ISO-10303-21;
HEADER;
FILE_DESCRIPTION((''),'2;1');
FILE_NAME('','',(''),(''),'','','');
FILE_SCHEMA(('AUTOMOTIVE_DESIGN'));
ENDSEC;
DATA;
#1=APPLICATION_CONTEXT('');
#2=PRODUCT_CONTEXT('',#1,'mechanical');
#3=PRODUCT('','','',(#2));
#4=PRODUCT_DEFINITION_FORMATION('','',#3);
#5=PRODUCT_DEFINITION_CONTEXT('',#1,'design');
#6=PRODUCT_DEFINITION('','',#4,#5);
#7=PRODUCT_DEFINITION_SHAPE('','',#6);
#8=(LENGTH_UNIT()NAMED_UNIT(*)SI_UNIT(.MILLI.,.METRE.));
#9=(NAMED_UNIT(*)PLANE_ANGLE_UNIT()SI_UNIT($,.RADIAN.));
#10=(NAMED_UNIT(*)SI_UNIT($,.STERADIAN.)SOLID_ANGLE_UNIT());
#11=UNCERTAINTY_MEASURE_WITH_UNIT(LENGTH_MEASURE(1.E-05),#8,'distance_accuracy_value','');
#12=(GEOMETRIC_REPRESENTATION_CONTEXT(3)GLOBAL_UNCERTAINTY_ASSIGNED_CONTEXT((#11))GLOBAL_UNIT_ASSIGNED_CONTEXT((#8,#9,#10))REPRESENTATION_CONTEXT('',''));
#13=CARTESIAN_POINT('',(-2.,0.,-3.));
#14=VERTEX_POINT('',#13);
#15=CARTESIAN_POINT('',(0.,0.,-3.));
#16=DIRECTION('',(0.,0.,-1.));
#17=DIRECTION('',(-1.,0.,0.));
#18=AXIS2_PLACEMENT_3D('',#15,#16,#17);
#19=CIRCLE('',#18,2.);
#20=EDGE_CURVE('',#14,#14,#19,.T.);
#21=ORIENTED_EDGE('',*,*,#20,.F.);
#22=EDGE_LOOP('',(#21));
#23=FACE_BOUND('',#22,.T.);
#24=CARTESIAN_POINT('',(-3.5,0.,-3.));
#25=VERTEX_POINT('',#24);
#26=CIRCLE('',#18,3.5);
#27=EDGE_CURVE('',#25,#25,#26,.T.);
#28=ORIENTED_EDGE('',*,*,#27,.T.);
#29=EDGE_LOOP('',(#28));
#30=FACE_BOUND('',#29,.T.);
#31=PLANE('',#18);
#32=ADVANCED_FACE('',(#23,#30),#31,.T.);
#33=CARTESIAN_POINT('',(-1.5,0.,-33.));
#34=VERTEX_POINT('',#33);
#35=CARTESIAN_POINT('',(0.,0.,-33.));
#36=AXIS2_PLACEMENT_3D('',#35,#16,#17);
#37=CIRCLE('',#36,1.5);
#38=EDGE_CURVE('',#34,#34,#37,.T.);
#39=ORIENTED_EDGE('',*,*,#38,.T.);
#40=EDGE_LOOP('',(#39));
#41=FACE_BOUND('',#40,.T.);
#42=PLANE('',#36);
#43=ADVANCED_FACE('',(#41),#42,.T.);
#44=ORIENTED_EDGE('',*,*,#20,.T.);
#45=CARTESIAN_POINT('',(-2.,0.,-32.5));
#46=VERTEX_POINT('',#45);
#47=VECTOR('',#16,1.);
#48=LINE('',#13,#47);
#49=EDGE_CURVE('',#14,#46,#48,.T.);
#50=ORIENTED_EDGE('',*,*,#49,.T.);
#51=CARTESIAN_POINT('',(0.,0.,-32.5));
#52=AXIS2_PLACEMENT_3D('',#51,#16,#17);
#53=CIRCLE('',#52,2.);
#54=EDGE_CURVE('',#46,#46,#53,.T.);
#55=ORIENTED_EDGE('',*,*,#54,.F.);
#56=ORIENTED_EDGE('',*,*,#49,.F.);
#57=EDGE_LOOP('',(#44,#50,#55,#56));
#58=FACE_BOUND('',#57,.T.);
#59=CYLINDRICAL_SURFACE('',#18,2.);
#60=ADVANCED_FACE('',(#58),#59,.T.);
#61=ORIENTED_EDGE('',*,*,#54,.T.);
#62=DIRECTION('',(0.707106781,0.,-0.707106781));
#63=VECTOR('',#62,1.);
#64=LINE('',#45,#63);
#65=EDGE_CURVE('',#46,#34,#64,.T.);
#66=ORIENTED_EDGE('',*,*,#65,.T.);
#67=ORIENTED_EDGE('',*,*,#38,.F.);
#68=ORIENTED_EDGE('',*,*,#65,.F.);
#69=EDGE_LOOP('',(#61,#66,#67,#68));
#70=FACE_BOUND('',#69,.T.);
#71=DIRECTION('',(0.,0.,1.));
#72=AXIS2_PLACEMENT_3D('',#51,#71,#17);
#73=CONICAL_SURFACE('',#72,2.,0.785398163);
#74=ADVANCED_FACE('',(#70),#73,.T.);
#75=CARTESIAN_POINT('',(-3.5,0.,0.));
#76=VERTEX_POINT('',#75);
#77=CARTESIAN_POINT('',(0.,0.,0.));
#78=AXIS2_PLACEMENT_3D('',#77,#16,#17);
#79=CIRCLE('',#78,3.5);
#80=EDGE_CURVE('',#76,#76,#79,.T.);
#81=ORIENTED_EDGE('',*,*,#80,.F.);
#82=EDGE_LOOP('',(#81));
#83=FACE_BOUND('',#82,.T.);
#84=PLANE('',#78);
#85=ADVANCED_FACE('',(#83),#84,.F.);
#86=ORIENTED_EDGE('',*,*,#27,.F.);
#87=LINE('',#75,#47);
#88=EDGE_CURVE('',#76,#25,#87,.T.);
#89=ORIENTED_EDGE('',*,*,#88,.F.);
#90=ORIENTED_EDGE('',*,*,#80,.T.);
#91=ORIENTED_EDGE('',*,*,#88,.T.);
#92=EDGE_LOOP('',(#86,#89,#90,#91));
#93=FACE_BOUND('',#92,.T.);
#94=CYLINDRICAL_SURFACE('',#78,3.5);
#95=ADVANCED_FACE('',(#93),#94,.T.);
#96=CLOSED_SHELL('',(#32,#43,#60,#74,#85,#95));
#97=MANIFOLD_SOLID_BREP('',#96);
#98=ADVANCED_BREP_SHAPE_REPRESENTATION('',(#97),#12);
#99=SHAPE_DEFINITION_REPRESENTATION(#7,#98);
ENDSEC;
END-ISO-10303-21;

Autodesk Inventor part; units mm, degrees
ref_plane "YZ Plane" through (0, 0, 0) normal (1, 0, 0) x (0, 1, 0)
ref_plane "XZ Plane" through (0, 0, 0) normal (0, 1, 0) x (-1, 0, 0)
ref_plane "XY Plane" through (0, 0, 0) normal (0, 0, 1) x (1, 0, 0)
sketch "Эскиз1" plane through (0, 0, 0) normal (0, 1, 0) x (-1, 0, 0)
  line L0 (0, 0) -> (3.5, 0)
  line L1 (3.5, 0) -> (3.5, -3)
  line L2 (0, -3) -> (2, -3)
  line L3 (2, -3) -> (2, -33)
  line L4 (2, -33) -> (0, -33)
  line L5 (3.5, -3) -> (2, -3)
  line L6 (0, 0) -> (0, -33)
  dimension "d0" = 3.5
  dimension "d1" = 3
  dimension "d2" = 2
  dimension "d3" = 30
revolve "Вращение1" add sketch "Эскиз1" angle 360 about axis through (0, 0, 0) along (0, 0, -1)
thread "Резьба1" size "M4x0.7" class "6g" standard "ANSI Metric M Profile" full length
chamfer "Фаска1" distance 0.5 angle 45 1 edges at (2, 0, -33)
properties part number "Болт М4х30"
